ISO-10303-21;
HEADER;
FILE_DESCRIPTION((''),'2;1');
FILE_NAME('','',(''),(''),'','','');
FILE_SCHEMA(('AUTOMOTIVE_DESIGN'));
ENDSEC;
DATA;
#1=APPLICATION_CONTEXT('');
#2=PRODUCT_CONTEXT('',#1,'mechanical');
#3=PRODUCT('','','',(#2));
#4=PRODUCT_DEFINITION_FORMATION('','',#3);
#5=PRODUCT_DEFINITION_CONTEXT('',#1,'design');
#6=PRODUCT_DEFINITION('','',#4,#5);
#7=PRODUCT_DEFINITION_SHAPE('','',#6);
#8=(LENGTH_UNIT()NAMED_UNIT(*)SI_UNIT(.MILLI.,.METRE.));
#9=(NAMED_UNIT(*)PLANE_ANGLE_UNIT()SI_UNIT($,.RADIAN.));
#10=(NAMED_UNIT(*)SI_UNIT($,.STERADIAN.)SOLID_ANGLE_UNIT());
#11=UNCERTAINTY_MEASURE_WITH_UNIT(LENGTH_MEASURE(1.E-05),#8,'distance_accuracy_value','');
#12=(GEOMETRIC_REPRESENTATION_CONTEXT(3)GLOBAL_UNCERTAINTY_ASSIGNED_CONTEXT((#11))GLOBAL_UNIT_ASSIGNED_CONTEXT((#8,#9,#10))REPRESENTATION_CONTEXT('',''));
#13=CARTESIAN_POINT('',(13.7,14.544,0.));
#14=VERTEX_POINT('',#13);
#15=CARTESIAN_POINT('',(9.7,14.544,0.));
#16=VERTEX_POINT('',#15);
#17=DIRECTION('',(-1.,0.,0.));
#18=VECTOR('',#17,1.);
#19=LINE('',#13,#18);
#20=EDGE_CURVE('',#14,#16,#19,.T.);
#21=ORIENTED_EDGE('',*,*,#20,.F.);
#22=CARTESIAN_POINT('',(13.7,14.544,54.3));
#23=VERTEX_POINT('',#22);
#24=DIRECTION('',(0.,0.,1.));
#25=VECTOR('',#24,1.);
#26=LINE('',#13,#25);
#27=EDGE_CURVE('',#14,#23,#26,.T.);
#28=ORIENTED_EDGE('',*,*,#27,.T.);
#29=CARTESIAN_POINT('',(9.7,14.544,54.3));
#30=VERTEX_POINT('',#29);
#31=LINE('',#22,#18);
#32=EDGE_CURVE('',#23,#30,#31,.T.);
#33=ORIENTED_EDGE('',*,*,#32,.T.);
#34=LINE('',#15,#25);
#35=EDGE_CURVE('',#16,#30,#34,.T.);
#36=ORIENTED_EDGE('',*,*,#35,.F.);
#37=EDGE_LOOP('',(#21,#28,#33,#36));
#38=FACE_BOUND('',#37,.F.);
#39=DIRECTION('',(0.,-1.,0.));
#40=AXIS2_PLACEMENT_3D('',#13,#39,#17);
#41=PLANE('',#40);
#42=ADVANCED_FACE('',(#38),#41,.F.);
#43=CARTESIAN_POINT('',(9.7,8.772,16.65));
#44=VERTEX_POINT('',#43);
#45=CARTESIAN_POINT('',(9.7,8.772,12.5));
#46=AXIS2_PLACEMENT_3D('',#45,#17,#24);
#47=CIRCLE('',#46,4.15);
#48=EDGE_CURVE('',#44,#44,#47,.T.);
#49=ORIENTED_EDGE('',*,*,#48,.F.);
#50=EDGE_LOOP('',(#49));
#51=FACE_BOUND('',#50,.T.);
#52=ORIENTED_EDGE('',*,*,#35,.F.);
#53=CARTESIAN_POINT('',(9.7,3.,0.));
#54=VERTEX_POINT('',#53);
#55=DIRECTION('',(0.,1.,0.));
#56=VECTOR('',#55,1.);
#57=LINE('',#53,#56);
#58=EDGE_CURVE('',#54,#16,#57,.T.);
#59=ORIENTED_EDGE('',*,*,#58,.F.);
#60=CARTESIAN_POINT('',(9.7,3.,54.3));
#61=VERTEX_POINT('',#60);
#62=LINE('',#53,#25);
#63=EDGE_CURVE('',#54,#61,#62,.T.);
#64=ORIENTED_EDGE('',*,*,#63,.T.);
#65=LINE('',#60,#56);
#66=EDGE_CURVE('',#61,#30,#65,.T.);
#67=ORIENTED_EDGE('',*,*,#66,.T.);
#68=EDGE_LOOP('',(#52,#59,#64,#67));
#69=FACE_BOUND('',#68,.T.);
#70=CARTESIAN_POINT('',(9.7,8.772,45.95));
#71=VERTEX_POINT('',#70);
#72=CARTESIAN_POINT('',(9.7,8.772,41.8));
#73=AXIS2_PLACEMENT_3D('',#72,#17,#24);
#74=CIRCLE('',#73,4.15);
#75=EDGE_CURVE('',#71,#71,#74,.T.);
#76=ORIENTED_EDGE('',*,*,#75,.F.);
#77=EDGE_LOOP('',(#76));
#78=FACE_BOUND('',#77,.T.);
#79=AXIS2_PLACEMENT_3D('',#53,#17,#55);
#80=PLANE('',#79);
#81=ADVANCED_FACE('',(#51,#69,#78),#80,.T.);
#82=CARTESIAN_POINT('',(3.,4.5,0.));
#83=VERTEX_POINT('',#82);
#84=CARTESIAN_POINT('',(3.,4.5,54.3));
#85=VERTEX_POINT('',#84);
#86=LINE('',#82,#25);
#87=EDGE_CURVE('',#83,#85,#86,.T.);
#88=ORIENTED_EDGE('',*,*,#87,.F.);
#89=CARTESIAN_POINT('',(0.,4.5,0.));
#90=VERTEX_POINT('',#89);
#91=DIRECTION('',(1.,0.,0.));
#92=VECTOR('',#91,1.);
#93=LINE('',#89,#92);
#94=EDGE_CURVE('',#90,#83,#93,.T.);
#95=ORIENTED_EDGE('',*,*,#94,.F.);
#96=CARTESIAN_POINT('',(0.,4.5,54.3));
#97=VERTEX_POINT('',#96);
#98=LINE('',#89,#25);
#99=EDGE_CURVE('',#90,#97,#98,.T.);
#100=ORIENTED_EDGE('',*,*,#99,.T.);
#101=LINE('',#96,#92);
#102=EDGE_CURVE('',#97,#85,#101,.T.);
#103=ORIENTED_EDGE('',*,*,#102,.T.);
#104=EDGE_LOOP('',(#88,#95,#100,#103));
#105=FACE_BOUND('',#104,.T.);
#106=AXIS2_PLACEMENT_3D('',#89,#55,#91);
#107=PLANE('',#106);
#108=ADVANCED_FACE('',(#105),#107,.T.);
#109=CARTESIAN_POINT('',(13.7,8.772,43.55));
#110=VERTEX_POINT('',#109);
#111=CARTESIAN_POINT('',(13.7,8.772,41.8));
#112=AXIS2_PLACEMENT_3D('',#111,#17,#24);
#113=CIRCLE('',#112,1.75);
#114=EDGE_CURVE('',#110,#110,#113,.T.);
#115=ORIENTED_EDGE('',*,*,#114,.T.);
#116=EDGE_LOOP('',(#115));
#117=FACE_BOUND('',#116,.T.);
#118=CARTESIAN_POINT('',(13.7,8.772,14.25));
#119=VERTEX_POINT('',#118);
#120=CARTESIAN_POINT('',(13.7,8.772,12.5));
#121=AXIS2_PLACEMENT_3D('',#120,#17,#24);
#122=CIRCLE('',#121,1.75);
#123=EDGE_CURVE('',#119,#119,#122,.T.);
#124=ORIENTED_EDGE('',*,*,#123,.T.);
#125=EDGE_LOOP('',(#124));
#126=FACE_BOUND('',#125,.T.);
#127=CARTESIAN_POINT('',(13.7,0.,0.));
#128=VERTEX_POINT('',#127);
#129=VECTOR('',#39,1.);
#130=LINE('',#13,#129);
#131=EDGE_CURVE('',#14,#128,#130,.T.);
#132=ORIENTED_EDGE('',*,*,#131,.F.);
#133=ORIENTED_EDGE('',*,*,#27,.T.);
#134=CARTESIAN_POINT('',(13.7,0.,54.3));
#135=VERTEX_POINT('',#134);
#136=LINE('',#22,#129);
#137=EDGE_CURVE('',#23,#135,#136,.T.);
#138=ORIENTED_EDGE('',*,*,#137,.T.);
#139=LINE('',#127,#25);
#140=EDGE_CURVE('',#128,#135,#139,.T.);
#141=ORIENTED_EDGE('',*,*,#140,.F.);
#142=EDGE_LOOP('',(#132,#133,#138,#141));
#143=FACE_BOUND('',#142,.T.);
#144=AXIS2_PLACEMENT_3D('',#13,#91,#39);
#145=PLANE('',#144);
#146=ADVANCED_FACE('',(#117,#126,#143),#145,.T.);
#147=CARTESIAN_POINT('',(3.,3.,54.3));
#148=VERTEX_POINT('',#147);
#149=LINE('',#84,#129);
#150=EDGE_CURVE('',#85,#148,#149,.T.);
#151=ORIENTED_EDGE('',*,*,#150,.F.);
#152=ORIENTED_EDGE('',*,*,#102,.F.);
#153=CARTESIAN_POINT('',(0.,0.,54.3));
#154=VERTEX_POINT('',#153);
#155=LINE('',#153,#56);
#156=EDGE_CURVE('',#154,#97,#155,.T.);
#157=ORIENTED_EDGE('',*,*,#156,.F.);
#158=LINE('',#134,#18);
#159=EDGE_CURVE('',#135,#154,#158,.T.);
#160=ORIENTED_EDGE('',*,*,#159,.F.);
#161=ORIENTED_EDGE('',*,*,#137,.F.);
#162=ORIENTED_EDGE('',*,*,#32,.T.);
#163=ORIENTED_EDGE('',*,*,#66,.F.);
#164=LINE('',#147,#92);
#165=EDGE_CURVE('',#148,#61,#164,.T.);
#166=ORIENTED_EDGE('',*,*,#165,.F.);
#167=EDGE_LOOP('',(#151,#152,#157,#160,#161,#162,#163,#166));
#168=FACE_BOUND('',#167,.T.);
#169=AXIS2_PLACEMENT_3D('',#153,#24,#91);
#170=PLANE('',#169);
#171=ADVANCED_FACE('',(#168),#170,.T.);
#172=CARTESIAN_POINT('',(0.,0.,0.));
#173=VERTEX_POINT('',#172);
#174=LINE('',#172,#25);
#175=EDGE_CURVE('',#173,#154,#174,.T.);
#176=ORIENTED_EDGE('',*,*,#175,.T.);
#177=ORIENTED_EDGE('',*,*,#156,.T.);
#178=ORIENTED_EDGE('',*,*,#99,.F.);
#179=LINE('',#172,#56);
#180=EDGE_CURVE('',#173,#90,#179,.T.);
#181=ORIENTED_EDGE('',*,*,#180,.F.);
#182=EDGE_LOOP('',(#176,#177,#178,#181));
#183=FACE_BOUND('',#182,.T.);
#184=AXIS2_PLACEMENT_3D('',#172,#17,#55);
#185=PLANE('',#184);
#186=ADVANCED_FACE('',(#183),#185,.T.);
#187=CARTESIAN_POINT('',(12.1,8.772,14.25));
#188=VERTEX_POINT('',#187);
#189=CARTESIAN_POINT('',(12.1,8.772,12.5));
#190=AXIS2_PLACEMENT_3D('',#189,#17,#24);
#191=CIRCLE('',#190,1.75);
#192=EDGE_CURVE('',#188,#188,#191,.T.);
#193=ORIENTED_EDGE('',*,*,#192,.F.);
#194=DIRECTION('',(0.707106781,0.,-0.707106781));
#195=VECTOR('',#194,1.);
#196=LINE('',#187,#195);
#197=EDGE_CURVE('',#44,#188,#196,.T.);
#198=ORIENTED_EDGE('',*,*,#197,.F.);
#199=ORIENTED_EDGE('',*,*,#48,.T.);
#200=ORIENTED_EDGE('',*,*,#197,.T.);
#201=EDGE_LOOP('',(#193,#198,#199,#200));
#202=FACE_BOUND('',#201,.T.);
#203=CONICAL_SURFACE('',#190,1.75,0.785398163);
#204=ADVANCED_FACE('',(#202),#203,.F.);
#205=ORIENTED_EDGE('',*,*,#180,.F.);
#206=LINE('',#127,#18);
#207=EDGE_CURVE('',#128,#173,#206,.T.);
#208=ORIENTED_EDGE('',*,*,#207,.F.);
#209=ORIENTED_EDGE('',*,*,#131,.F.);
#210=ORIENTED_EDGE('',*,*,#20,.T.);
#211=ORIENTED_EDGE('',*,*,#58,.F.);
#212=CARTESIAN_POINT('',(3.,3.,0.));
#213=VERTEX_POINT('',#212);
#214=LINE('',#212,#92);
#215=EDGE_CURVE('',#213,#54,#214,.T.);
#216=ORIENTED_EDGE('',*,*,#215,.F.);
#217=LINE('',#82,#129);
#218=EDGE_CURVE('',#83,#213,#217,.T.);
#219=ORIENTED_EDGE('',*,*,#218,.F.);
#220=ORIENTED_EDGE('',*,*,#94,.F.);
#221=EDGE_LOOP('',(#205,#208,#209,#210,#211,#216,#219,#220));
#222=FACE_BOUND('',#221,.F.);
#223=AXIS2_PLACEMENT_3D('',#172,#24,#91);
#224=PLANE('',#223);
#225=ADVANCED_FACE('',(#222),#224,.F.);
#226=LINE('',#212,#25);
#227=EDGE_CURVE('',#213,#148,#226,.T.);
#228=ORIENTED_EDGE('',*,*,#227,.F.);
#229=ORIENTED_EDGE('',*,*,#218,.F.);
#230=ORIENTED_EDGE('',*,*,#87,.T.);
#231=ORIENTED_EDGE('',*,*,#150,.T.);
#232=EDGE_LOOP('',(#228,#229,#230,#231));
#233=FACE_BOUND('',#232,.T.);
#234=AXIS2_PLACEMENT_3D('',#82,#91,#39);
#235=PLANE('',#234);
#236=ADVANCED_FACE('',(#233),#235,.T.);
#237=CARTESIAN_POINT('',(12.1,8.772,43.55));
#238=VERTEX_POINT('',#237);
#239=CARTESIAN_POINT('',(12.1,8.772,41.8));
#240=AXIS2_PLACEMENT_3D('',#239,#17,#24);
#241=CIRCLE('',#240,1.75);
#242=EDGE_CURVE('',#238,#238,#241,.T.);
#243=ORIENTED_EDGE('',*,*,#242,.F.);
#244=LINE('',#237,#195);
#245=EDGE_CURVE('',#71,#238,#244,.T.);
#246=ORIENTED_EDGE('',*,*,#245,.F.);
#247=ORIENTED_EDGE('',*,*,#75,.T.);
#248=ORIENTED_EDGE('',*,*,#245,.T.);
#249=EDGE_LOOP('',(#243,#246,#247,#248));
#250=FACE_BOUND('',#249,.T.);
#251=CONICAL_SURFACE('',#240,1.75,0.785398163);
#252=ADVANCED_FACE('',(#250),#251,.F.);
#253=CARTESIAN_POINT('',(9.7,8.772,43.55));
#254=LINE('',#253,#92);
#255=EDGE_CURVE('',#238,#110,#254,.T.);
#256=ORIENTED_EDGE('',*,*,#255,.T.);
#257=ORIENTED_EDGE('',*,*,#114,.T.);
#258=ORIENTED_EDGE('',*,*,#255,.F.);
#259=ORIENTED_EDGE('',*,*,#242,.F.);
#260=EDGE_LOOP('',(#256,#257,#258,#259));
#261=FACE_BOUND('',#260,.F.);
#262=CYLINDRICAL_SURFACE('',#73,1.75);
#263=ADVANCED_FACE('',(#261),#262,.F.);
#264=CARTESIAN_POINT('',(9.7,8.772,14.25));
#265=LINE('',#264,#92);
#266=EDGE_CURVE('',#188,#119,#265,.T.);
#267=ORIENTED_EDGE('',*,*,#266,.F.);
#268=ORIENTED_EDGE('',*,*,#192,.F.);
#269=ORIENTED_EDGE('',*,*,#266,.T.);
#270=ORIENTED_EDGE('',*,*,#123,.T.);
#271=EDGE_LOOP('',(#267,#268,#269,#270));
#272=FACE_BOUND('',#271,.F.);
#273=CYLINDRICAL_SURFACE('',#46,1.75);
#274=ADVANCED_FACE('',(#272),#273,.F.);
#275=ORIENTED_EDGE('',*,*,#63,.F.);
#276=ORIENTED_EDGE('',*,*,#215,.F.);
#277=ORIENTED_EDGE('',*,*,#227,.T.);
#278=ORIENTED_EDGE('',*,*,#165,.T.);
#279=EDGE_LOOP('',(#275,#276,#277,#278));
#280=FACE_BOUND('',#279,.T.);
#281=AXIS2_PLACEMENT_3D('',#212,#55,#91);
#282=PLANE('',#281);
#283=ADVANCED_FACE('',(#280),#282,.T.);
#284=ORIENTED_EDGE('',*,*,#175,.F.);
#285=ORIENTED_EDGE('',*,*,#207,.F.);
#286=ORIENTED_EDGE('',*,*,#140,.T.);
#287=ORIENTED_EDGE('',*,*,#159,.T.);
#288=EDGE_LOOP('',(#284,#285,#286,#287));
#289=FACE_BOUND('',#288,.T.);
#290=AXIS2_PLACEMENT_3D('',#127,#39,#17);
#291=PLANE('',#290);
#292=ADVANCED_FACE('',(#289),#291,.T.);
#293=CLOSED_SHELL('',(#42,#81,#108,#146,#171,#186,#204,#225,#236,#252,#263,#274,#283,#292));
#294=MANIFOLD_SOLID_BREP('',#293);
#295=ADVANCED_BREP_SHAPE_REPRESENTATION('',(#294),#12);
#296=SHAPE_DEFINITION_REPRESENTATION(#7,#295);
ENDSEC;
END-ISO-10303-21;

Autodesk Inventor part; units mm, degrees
ref_plane "YZ Plane" through (0, 0, 0) normal (1, 0, 0) x (0, 1, 0)
ref_plane "XZ Plane" through (0, 0, 0) normal (0, 1, 0) x (-1, 0, 0)
ref_plane "XY Plane" through (0, 0, 0) normal (0, 0, 1) x (1, 0, 0)
sketch "Sketch1" plane through (0, 0, 0) normal (0, 0, 1) x (1, 0, 0)
  line L0 (0, 0) -> (0, 4.5)
  line L1 (0, 0) -> (0, 4.5)
  line L2 (0, 4.5) -> (3, 4.5)
  line L3 (0, 4.5) -> (3, 4.5)
  line L4 (3, 4.5) -> (3, 3)
  line L5 (3, 4.5) -> (3, 3)
  line L6 (3, 3) -> (9.7, 3)
  line L7 (3, 3) -> (9.7, 3)
  line L8 (9.7, 3) -> (9.7, 14.544)
  line L9 (9.7, 3) -> (9.7, 14.544)
  line L10 (13.7, 14.544) -> (9.7, 14.544)
  line L11 (9.7, 14.544) -> (13.7, 14.544)
  line L12 (13.7, 14.544) -> (13.7, 0)
  line L13 (13.7, 0) -> (0, 0)
  line L14 (13.7, 0) -> (0, 0)
  point P0 (13.7, 167.0499)
extrude "Extrusion1" add sketch "Sketch1" along normal blind 54.3
sketch "Sketch2" plane through (9.7, 3, 0) normal (-1, 0, 0) x (0, 0, 1)
  circle A0 centre (12.5, 5.772) radius 1.75
  circle A1 centre (41.8, 5.772) radius 1.75
  line L0 (0, 11.544) -> (0, 0) projected
  line L1 (54.3, 11.544) -> (54.3, 0) projected
  point P0 (0, -3)
  dimension "d2" = 3.5
  dimension "d3" = 3.5
  dimension "d4" = 12.5
  dimension "d5" = 12.5
extrude "Extrusion2" cut sketch "Sketch2" against normal blind 54.3
chamfer "Chamfer1" distance 2.4 angle 45 2 edges at (9.7, 8.772, 10.75) (9.7, 8.772, 40.05)
equation "\"d5\" = d4"
properties part number "bottomSpacer"
